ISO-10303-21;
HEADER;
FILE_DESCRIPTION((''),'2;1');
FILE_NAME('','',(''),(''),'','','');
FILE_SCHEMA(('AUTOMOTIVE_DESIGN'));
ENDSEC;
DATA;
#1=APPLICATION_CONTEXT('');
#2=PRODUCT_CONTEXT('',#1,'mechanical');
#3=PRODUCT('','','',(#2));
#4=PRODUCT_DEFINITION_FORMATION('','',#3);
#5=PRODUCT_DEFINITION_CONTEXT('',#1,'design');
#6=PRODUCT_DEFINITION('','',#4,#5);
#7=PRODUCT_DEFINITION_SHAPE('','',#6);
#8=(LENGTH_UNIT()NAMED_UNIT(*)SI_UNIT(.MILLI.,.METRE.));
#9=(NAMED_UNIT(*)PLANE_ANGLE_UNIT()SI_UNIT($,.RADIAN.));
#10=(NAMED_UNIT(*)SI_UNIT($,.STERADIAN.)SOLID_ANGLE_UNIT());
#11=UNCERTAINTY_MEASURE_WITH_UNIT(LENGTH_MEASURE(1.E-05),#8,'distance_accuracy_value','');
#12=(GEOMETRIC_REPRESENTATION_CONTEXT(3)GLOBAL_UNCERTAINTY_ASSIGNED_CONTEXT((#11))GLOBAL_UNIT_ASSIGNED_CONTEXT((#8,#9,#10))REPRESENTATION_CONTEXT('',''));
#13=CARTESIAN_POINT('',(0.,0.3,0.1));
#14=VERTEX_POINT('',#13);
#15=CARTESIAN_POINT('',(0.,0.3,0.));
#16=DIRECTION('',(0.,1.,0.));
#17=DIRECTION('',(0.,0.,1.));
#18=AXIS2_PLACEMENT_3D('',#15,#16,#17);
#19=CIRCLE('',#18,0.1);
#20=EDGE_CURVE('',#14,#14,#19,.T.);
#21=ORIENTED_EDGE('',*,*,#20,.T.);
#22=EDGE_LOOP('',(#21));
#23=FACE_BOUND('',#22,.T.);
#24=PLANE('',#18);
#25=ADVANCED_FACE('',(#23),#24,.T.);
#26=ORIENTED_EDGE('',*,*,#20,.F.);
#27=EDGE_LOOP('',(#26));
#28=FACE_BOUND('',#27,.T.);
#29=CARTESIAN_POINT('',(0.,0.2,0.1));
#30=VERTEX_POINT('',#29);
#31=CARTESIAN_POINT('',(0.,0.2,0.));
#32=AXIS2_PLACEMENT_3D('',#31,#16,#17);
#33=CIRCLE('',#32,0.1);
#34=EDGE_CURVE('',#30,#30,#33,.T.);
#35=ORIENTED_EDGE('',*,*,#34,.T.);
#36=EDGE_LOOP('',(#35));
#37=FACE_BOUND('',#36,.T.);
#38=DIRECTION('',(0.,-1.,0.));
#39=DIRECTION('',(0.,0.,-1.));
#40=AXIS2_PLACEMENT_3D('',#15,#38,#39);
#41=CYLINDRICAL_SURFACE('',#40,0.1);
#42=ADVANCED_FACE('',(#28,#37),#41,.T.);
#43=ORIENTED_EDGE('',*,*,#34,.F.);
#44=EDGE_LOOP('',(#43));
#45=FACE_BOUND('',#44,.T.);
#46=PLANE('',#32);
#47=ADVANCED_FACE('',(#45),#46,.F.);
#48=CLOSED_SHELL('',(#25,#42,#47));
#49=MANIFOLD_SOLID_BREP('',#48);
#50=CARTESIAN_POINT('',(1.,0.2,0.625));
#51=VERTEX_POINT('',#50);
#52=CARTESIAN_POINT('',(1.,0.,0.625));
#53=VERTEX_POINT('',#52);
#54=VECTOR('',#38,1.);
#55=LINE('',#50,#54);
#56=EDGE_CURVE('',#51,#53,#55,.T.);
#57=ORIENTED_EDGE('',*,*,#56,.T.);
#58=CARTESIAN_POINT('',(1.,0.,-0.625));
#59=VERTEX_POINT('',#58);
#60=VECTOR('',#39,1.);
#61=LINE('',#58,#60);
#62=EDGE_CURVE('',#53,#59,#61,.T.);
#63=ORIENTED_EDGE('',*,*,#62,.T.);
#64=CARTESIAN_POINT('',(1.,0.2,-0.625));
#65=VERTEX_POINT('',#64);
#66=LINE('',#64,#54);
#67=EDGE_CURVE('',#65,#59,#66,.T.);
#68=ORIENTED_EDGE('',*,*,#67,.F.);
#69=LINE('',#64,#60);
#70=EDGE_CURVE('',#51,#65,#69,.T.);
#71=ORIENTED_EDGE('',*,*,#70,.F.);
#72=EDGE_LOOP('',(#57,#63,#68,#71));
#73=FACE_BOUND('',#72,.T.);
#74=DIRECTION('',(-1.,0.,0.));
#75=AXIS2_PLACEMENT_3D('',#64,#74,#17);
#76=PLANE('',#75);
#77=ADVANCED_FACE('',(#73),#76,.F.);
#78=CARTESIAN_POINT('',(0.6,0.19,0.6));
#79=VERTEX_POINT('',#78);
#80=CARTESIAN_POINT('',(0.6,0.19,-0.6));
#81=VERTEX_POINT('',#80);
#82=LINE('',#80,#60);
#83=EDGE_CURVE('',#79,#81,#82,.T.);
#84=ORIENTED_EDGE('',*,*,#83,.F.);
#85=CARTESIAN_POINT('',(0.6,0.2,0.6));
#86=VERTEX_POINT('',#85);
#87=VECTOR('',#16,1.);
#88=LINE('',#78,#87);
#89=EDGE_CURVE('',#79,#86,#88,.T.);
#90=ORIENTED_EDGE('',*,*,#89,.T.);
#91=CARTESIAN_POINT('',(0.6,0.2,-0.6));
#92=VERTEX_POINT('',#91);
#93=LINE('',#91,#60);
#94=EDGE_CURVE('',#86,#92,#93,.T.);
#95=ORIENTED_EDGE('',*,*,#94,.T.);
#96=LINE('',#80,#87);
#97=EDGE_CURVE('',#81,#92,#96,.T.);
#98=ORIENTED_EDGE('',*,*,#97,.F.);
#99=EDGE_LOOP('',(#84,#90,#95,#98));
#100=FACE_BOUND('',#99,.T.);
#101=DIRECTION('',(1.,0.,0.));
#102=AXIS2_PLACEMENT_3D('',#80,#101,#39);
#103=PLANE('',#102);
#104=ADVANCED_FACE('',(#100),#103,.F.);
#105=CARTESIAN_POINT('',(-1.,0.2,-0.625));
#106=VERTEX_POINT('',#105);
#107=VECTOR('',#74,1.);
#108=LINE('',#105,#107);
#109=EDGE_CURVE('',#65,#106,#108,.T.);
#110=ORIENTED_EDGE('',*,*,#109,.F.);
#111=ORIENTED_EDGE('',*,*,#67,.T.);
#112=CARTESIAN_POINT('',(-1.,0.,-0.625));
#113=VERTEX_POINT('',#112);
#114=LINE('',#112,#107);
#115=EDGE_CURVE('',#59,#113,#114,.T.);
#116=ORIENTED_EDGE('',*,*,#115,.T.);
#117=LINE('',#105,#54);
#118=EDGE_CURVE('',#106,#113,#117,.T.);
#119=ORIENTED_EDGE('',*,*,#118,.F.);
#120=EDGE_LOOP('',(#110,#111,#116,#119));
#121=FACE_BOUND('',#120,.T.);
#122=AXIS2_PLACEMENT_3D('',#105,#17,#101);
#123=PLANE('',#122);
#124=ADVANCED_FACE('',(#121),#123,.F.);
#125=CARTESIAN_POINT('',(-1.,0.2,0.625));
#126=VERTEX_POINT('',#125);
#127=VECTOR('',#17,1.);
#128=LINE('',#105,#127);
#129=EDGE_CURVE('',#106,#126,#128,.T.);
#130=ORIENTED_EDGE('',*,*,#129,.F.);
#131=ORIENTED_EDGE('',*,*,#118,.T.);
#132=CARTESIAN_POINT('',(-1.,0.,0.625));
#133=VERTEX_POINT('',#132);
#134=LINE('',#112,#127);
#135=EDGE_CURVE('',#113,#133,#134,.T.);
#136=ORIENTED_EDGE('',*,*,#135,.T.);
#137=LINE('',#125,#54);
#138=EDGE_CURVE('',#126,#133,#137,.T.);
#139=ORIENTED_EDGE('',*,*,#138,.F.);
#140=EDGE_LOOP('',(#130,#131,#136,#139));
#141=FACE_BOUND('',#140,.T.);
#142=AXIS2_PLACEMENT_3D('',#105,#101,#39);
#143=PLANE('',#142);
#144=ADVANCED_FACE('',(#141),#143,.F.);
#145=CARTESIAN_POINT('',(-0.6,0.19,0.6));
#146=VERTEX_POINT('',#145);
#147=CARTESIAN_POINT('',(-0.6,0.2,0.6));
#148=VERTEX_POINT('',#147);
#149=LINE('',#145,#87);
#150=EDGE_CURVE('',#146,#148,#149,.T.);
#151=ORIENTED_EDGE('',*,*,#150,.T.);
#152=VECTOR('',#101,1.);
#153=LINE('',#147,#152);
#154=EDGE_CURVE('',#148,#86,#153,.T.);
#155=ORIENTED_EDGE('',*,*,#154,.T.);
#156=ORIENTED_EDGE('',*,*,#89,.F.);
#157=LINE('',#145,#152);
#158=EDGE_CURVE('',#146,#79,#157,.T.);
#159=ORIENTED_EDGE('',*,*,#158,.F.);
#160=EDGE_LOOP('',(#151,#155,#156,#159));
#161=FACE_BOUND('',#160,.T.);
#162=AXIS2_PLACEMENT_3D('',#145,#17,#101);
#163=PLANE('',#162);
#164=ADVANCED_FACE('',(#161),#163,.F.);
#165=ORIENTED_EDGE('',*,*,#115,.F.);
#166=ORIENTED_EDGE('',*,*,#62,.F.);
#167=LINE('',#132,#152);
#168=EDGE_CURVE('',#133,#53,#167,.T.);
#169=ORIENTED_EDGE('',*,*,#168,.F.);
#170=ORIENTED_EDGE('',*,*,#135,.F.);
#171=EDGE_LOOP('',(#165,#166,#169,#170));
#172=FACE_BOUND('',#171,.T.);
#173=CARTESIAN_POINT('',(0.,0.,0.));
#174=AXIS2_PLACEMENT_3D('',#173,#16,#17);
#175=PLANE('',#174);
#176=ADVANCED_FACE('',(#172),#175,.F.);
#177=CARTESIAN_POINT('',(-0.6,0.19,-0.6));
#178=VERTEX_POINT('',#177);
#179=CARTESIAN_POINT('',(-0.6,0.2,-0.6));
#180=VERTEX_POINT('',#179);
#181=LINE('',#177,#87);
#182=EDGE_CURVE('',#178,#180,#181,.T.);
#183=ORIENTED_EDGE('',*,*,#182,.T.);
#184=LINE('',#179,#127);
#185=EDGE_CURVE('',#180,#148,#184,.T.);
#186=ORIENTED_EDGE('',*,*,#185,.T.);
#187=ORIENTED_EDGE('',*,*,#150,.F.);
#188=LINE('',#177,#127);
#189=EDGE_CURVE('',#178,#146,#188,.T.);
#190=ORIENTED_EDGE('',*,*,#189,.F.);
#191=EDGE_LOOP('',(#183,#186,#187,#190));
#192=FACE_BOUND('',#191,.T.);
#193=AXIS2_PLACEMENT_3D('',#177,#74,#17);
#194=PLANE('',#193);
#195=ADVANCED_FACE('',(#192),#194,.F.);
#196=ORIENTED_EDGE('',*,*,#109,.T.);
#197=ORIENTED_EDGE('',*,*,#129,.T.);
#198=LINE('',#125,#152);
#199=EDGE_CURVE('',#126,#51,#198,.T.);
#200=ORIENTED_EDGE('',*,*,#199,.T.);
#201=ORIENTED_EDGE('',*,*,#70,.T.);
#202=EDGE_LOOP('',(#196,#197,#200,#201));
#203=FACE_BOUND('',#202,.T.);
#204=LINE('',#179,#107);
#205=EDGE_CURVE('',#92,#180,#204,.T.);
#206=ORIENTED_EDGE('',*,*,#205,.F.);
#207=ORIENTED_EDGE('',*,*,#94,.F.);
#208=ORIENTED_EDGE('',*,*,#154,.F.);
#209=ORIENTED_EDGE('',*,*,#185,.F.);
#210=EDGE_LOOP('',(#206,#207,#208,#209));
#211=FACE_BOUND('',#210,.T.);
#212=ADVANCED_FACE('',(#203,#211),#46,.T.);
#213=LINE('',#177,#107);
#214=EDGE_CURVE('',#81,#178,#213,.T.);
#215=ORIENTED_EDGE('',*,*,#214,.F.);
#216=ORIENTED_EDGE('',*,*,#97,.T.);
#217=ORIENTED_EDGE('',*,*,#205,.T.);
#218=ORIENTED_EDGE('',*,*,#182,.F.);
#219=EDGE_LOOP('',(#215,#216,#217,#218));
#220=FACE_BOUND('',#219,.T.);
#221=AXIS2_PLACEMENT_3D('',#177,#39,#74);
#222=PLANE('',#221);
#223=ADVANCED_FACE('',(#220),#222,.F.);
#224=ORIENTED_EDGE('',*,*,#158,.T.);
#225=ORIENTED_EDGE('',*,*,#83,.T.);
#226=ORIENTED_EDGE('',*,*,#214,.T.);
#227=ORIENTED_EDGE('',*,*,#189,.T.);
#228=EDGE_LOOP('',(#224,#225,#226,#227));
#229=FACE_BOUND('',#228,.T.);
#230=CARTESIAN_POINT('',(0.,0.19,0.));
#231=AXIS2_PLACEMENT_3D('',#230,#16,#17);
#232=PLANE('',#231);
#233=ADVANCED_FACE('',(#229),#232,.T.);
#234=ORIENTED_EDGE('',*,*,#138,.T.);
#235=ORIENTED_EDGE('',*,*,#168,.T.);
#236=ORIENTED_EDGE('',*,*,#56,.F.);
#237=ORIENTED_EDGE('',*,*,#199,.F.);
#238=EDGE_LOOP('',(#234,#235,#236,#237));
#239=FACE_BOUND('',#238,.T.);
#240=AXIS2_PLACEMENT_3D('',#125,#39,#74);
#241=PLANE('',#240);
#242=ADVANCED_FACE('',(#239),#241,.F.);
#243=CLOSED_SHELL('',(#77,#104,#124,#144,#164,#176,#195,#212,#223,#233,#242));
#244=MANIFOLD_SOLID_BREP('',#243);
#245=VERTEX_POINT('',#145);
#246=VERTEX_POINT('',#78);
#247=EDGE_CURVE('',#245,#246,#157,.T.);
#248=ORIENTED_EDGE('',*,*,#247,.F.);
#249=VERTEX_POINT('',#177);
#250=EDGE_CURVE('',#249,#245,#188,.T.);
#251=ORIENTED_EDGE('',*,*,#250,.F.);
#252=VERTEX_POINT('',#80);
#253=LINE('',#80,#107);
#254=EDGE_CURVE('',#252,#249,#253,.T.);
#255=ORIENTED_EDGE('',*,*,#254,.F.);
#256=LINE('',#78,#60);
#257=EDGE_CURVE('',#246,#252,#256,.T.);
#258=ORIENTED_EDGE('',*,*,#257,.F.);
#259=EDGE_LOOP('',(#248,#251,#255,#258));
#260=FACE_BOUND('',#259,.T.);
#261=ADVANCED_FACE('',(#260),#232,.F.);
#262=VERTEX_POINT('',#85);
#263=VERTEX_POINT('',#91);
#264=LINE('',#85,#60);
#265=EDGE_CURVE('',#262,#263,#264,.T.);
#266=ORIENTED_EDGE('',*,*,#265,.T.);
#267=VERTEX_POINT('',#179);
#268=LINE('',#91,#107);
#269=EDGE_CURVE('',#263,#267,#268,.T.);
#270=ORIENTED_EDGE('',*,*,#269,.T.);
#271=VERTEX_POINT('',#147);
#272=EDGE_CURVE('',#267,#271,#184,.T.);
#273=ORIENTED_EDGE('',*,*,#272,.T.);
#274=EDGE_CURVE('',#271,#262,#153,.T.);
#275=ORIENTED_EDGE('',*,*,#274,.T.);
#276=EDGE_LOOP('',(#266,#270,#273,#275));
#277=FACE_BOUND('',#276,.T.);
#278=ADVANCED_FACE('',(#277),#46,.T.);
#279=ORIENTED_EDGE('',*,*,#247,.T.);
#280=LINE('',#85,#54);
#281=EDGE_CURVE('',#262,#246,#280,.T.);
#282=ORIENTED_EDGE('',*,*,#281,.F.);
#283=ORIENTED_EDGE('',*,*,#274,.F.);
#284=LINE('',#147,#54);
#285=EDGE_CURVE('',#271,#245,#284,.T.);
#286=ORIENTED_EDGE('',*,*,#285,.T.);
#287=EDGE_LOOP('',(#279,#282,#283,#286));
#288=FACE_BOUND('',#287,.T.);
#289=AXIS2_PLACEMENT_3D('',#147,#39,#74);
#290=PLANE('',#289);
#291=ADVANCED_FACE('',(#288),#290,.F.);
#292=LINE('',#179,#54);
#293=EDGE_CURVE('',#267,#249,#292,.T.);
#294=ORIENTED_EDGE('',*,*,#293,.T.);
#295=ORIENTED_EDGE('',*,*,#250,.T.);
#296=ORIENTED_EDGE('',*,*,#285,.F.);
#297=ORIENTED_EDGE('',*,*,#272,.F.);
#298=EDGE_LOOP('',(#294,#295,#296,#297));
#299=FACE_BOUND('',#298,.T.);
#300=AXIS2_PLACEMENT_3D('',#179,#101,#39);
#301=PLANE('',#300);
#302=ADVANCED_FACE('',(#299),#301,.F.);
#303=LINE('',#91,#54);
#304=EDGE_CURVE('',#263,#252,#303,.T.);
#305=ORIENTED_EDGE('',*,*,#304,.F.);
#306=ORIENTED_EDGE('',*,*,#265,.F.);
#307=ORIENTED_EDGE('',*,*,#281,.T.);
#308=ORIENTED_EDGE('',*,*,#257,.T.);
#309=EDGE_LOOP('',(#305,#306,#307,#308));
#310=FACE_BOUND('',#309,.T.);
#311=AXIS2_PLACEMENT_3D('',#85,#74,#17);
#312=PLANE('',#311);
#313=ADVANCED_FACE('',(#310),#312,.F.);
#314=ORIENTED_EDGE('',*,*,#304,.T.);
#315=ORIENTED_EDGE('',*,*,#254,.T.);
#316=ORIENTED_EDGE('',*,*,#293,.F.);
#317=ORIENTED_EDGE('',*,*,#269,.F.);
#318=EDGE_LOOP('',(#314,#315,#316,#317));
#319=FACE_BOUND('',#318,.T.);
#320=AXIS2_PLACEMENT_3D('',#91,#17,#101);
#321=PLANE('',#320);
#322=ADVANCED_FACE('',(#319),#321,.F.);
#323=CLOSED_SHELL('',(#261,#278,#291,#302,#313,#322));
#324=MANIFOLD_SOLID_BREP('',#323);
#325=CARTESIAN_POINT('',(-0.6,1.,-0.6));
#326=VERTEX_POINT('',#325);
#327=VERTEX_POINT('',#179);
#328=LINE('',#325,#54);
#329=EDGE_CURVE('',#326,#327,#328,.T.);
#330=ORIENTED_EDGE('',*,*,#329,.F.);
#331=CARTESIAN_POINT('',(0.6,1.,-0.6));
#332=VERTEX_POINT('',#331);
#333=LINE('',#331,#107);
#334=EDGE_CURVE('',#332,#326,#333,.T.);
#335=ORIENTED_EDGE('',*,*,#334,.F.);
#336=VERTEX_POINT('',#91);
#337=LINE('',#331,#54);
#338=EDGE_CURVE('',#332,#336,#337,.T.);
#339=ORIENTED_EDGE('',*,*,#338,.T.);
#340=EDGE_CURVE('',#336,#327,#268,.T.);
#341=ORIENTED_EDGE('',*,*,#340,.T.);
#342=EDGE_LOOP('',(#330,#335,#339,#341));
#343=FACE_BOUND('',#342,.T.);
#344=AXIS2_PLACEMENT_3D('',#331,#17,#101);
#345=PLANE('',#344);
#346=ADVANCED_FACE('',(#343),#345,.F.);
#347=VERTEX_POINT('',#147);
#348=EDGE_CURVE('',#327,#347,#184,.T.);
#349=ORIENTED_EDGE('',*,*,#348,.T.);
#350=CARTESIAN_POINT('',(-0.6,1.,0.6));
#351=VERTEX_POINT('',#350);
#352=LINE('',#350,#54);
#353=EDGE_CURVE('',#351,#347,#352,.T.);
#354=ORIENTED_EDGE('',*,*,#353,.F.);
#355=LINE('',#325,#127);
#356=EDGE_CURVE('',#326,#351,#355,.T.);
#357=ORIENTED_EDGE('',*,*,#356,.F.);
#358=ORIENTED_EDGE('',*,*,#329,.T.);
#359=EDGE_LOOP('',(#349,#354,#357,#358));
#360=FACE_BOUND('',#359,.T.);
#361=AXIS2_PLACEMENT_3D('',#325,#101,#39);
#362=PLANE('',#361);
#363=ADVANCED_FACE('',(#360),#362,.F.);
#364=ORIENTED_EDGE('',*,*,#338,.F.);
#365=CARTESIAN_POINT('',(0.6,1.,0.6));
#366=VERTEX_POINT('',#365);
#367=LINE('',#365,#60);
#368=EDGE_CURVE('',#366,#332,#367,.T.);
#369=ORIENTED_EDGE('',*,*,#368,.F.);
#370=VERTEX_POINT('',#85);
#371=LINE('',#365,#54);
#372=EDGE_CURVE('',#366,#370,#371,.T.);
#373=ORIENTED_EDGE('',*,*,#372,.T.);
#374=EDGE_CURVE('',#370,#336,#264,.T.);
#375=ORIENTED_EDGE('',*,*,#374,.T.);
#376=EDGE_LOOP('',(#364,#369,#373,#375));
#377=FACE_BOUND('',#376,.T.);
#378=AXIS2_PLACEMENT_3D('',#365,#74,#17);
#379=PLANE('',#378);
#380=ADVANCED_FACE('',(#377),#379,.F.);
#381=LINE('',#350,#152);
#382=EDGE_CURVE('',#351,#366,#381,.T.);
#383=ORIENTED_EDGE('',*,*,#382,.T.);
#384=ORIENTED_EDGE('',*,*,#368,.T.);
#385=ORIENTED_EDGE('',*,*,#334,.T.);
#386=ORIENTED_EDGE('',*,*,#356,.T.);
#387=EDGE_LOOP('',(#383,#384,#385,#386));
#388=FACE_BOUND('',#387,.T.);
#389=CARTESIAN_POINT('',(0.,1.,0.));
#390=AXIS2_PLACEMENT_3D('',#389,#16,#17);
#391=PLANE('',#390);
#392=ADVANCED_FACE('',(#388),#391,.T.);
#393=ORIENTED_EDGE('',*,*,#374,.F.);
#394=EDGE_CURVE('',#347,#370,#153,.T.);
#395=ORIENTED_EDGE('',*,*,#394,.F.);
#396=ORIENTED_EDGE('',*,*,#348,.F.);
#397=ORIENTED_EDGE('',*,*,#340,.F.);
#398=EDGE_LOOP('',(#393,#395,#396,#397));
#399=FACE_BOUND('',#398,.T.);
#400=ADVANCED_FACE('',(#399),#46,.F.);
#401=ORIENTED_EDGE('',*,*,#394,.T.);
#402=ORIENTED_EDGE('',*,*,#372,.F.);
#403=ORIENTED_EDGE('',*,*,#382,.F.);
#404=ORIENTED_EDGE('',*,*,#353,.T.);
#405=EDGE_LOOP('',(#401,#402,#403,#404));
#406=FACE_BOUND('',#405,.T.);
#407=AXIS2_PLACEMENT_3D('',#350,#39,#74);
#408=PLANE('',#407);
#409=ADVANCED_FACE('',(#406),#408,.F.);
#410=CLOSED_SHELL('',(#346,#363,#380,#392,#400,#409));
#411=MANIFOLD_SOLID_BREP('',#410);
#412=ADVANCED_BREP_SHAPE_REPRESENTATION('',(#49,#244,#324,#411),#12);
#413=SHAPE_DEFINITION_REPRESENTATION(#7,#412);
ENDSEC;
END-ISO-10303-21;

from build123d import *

# Parameters (mm, degrees)
SKETCH1_R           = 0.1
BOSS_EXTRUDE1_DEPTH = 0.3
SKETCH2_W           = 2
SKETCH2_H           = 1.25
BOSS_EXTRUDE2_DEPTH = 0.2
SKETCH3_W           = 1.2
SKETCH3_H           = 1.2
CUT_EXTRUDE1_DEPTH  = 0.01
SKETCH4_W           = 1.2
SKETCH4_H           = 1.2
BOSS_EXTRUDE4_DEPTH = 0.01
SKETCH5_W           = 1.2
SKETCH5_H           = 1.2
BOSS_EXTRUDE5_DEPTH = 0.8


with BuildPart() as part:
    # Sketch1 → Boss-Extrude1 (new body)
    with BuildSketch(Plane(origin=(0, 0, 0), x_dir=(1, 0, 0), z_dir=(0, 1, 0))):
        Circle(SKETCH1_R)
    extrude(amount=BOSS_EXTRUDE1_DEPTH)

    # Sketch2 → Boss-Extrude2 (add)
    with BuildSketch(Plane(origin=(0, 0, 0), x_dir=(1, 0, 0), z_dir=(0, 1, 0))):
        Rectangle(SKETCH2_W, SKETCH2_H)
    extrude(amount=BOSS_EXTRUDE2_DEPTH)

    # Sketch3 → Cut-Extrude1 (cut)
    with BuildSketch(Plane(origin=(0, 0.2, 0), x_dir=(1, 0, 0), z_dir=(0, 1, 0))):
        Rectangle(SKETCH3_W, SKETCH3_H)
    extrude(amount=-CUT_EXTRUDE1_DEPTH, mode=Mode.SUBTRACT)


with BuildPart() as body_2:
    # Sketch4 → Boss-Extrude4 (new body)
    with BuildSketch(Plane(origin=(0, 0.19, 0), x_dir=(1, 0, 0), z_dir=(0, 1, 0))):
        Rectangle(SKETCH4_W, SKETCH4_H)
    extrude(amount=BOSS_EXTRUDE4_DEPTH)


with BuildPart() as body_3:
    # Sketch5 → Boss-Extrude5 (new body)
    with BuildSketch(Plane(origin=(0, 0.2, 0), x_dir=(1, 0, 0), z_dir=(0, 1, 0))):
        Rectangle(SKETCH5_W, SKETCH5_H)
    extrude(amount=BOSS_EXTRUDE5_DEPTH)


solid = Compound([part.part, body_2.part, body_3.part])
